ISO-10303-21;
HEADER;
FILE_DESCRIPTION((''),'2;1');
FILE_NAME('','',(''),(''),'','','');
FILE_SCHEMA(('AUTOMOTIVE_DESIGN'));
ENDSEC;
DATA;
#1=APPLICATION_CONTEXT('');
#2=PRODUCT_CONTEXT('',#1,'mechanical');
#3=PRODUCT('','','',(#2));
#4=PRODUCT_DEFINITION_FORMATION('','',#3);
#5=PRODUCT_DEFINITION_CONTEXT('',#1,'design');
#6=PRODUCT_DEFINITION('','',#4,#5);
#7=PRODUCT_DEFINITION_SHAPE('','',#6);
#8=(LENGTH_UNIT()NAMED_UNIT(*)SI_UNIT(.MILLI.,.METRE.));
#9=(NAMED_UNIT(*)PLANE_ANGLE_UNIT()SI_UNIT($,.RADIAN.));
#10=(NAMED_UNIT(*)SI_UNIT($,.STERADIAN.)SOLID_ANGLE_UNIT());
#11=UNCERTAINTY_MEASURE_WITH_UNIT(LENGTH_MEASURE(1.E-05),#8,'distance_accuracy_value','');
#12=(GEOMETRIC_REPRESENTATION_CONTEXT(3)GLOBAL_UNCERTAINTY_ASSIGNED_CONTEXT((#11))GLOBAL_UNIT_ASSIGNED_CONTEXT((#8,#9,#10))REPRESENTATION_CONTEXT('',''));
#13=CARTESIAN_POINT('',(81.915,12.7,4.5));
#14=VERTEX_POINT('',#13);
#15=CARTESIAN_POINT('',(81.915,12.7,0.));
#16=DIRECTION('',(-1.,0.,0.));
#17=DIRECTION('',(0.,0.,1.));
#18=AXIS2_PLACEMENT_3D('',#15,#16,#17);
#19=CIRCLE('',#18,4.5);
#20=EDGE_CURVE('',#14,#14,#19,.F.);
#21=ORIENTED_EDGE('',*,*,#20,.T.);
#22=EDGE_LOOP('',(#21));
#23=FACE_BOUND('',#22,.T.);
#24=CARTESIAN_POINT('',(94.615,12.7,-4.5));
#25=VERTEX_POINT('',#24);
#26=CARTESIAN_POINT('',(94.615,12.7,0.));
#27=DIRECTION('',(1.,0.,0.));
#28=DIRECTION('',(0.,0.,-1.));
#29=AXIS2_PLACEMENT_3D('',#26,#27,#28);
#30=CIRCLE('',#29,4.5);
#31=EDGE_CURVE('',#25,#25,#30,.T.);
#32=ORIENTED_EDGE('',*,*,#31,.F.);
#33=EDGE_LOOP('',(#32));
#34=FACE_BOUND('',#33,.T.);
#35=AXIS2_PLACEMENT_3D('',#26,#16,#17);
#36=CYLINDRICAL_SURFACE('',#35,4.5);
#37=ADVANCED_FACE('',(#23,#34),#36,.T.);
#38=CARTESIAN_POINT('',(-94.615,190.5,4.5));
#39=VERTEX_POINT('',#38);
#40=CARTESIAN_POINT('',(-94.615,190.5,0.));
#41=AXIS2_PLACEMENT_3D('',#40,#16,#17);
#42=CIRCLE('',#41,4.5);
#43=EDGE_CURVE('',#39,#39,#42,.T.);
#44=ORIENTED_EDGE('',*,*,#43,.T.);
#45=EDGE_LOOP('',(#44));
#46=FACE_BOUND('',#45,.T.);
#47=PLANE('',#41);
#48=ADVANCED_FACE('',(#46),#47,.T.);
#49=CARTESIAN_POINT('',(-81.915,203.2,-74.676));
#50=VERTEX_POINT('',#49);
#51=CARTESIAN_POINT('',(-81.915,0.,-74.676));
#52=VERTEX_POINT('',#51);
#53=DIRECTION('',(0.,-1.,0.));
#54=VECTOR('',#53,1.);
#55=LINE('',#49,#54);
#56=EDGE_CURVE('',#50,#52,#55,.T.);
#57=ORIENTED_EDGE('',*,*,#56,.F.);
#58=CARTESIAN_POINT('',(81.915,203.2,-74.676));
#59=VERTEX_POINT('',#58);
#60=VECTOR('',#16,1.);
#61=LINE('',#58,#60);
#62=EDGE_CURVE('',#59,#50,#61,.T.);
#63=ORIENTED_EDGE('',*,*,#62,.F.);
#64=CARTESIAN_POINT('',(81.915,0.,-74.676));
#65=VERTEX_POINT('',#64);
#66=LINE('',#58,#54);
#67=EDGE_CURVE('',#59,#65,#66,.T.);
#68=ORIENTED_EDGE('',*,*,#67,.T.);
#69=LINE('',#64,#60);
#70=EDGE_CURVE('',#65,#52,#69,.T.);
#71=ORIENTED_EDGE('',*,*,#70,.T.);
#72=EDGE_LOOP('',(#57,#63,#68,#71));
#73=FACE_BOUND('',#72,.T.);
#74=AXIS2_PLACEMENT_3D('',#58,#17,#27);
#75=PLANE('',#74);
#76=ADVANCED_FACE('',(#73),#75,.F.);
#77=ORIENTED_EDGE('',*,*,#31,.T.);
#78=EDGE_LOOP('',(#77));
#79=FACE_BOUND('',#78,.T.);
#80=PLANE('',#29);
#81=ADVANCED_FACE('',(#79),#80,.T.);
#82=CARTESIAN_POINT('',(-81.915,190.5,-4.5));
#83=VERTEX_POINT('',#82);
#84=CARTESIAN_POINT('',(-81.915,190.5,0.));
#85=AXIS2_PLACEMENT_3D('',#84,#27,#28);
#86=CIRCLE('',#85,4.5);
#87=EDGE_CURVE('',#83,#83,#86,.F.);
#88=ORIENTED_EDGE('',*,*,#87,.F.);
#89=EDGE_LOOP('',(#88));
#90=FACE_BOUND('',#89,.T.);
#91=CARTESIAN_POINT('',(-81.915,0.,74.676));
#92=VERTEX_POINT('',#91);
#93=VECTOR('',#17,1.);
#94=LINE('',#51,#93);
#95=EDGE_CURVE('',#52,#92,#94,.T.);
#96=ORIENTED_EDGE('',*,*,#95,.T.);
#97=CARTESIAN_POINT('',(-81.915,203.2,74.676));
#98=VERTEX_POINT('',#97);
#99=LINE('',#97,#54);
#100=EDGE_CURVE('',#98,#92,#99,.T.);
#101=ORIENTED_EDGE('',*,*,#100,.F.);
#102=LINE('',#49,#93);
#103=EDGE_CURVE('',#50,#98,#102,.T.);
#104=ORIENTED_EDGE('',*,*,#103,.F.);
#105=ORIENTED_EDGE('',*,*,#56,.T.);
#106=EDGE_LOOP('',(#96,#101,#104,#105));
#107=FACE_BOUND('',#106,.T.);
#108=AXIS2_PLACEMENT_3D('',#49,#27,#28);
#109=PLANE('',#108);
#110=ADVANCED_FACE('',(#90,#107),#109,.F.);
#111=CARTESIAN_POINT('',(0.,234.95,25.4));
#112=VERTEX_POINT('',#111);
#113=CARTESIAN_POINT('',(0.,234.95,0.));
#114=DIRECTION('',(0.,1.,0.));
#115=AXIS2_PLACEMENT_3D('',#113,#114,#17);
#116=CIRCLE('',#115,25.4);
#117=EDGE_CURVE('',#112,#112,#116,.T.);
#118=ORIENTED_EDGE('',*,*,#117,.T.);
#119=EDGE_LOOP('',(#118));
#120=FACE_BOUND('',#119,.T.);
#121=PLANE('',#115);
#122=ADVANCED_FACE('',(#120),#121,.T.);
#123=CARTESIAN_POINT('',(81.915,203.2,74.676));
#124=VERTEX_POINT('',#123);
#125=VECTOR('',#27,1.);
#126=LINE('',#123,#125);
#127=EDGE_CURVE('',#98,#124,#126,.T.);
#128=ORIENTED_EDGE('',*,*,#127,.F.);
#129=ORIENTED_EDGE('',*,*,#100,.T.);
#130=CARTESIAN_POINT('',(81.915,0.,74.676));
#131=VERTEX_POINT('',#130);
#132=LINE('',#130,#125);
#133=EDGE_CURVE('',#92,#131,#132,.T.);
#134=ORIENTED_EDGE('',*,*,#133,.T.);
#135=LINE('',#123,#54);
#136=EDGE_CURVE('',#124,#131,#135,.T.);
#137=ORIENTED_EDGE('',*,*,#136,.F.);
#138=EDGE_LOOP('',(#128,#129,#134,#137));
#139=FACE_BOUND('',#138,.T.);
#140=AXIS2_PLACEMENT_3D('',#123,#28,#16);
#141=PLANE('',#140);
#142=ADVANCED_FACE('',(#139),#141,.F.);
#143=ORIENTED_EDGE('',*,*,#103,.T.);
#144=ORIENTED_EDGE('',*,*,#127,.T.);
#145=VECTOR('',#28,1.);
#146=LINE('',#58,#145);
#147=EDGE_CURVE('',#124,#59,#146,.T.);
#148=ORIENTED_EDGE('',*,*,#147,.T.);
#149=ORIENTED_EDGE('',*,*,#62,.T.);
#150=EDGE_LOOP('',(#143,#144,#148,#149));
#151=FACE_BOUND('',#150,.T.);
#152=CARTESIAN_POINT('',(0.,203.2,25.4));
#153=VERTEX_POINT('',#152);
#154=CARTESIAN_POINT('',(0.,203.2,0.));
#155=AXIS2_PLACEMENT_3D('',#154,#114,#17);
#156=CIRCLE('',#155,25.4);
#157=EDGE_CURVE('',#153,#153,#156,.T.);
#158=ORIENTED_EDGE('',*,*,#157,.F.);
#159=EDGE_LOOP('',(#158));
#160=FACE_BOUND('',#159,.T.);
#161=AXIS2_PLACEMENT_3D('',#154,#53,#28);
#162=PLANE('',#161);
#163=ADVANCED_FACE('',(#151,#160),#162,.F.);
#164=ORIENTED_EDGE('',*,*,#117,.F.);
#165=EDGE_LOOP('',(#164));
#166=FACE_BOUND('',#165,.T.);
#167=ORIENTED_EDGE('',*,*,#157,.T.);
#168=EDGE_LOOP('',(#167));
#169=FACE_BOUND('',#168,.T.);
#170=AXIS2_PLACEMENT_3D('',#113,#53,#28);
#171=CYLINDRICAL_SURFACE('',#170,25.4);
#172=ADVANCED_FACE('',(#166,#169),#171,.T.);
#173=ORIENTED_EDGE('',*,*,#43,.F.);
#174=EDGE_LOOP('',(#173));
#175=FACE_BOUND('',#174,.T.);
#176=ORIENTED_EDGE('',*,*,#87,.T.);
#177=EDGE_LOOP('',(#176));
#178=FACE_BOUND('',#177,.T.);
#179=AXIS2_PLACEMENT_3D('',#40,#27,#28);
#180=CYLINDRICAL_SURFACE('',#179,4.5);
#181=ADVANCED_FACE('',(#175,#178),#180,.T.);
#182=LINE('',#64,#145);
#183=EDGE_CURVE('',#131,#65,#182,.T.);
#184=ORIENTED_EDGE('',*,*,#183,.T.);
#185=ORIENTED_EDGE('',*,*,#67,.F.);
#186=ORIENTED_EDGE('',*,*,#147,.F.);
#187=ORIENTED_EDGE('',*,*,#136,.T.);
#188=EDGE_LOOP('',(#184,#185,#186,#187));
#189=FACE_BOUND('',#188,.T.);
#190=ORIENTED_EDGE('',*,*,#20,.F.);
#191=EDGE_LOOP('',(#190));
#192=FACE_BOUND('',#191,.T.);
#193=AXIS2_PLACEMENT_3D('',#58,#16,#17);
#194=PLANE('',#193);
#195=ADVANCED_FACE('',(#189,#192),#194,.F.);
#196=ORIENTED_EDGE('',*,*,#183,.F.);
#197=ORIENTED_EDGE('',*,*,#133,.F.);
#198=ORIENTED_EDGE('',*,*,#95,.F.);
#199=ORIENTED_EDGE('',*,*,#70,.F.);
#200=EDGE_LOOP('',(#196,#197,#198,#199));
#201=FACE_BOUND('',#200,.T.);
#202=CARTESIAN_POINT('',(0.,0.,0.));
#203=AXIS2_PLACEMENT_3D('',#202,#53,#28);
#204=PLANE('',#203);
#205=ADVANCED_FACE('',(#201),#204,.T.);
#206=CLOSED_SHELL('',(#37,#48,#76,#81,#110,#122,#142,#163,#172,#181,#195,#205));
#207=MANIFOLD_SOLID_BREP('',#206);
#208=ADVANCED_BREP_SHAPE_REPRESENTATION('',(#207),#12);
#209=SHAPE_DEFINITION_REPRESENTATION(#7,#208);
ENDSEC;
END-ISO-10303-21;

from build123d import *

# Parameters (mm, degrees)
SKETCH1_W           = 163.83
SKETCH1_H           = 149.352
BOSS_EXTRUDE1_DEPTH = 203.2
SKETCH2_R           = 25.4
BOSS_EXTRUDE2_DEPTH = 31.75
SKETCH3_R           = 4.5
BOSS_EXTRUDE3_DEPTH = 12.7
SKETCH5_R           = 4.5
BOSS_EXTRUDE4_DEPTH = 12.7


with BuildPart() as part:
    # Sketch1 → Boss-Extrude1 (new body)
    with BuildSketch(Plane(origin=(0, 0, 0), x_dir=(1, 0, 0), z_dir=(0, 1, 0))):
        Rectangle(SKETCH1_W, SKETCH1_H)
    extrude(amount=BOSS_EXTRUDE1_DEPTH)

    # Sketch2 → Boss-Extrude2 (add)
    with BuildSketch(Plane(origin=(0, 203.2, 0), x_dir=(1, 0, 0), z_dir=(0, 1, 0))):
        with Locations(Location((0, 0, 0), (0, 0, 270))):
            Circle(SKETCH2_R)
    extrude(amount=BOSS_EXTRUDE2_DEPTH)

    # Sketch3 → Boss-Extrude3 (add)
    with BuildSketch(Plane.ZY.offset(81.915)):
        with Locations(Location((0, 190.5, 0), (0, 0, 180))):
            Circle(SKETCH3_R)
    extrude(amount=BOSS_EXTRUDE3_DEPTH)

    # Sketch5 → Boss-Extrude4 (add)
    with BuildSketch(Plane(origin=(81.915, 0, 0), x_dir=(0, 0, -1), z_dir=(1, 0, 0))):
        with Locations(Location((0, 12.7, 0), (0, 0, 180))):
            Circle(SKETCH5_R)
    extrude(amount=BOSS_EXTRUDE4_DEPTH)


solid = part.part
